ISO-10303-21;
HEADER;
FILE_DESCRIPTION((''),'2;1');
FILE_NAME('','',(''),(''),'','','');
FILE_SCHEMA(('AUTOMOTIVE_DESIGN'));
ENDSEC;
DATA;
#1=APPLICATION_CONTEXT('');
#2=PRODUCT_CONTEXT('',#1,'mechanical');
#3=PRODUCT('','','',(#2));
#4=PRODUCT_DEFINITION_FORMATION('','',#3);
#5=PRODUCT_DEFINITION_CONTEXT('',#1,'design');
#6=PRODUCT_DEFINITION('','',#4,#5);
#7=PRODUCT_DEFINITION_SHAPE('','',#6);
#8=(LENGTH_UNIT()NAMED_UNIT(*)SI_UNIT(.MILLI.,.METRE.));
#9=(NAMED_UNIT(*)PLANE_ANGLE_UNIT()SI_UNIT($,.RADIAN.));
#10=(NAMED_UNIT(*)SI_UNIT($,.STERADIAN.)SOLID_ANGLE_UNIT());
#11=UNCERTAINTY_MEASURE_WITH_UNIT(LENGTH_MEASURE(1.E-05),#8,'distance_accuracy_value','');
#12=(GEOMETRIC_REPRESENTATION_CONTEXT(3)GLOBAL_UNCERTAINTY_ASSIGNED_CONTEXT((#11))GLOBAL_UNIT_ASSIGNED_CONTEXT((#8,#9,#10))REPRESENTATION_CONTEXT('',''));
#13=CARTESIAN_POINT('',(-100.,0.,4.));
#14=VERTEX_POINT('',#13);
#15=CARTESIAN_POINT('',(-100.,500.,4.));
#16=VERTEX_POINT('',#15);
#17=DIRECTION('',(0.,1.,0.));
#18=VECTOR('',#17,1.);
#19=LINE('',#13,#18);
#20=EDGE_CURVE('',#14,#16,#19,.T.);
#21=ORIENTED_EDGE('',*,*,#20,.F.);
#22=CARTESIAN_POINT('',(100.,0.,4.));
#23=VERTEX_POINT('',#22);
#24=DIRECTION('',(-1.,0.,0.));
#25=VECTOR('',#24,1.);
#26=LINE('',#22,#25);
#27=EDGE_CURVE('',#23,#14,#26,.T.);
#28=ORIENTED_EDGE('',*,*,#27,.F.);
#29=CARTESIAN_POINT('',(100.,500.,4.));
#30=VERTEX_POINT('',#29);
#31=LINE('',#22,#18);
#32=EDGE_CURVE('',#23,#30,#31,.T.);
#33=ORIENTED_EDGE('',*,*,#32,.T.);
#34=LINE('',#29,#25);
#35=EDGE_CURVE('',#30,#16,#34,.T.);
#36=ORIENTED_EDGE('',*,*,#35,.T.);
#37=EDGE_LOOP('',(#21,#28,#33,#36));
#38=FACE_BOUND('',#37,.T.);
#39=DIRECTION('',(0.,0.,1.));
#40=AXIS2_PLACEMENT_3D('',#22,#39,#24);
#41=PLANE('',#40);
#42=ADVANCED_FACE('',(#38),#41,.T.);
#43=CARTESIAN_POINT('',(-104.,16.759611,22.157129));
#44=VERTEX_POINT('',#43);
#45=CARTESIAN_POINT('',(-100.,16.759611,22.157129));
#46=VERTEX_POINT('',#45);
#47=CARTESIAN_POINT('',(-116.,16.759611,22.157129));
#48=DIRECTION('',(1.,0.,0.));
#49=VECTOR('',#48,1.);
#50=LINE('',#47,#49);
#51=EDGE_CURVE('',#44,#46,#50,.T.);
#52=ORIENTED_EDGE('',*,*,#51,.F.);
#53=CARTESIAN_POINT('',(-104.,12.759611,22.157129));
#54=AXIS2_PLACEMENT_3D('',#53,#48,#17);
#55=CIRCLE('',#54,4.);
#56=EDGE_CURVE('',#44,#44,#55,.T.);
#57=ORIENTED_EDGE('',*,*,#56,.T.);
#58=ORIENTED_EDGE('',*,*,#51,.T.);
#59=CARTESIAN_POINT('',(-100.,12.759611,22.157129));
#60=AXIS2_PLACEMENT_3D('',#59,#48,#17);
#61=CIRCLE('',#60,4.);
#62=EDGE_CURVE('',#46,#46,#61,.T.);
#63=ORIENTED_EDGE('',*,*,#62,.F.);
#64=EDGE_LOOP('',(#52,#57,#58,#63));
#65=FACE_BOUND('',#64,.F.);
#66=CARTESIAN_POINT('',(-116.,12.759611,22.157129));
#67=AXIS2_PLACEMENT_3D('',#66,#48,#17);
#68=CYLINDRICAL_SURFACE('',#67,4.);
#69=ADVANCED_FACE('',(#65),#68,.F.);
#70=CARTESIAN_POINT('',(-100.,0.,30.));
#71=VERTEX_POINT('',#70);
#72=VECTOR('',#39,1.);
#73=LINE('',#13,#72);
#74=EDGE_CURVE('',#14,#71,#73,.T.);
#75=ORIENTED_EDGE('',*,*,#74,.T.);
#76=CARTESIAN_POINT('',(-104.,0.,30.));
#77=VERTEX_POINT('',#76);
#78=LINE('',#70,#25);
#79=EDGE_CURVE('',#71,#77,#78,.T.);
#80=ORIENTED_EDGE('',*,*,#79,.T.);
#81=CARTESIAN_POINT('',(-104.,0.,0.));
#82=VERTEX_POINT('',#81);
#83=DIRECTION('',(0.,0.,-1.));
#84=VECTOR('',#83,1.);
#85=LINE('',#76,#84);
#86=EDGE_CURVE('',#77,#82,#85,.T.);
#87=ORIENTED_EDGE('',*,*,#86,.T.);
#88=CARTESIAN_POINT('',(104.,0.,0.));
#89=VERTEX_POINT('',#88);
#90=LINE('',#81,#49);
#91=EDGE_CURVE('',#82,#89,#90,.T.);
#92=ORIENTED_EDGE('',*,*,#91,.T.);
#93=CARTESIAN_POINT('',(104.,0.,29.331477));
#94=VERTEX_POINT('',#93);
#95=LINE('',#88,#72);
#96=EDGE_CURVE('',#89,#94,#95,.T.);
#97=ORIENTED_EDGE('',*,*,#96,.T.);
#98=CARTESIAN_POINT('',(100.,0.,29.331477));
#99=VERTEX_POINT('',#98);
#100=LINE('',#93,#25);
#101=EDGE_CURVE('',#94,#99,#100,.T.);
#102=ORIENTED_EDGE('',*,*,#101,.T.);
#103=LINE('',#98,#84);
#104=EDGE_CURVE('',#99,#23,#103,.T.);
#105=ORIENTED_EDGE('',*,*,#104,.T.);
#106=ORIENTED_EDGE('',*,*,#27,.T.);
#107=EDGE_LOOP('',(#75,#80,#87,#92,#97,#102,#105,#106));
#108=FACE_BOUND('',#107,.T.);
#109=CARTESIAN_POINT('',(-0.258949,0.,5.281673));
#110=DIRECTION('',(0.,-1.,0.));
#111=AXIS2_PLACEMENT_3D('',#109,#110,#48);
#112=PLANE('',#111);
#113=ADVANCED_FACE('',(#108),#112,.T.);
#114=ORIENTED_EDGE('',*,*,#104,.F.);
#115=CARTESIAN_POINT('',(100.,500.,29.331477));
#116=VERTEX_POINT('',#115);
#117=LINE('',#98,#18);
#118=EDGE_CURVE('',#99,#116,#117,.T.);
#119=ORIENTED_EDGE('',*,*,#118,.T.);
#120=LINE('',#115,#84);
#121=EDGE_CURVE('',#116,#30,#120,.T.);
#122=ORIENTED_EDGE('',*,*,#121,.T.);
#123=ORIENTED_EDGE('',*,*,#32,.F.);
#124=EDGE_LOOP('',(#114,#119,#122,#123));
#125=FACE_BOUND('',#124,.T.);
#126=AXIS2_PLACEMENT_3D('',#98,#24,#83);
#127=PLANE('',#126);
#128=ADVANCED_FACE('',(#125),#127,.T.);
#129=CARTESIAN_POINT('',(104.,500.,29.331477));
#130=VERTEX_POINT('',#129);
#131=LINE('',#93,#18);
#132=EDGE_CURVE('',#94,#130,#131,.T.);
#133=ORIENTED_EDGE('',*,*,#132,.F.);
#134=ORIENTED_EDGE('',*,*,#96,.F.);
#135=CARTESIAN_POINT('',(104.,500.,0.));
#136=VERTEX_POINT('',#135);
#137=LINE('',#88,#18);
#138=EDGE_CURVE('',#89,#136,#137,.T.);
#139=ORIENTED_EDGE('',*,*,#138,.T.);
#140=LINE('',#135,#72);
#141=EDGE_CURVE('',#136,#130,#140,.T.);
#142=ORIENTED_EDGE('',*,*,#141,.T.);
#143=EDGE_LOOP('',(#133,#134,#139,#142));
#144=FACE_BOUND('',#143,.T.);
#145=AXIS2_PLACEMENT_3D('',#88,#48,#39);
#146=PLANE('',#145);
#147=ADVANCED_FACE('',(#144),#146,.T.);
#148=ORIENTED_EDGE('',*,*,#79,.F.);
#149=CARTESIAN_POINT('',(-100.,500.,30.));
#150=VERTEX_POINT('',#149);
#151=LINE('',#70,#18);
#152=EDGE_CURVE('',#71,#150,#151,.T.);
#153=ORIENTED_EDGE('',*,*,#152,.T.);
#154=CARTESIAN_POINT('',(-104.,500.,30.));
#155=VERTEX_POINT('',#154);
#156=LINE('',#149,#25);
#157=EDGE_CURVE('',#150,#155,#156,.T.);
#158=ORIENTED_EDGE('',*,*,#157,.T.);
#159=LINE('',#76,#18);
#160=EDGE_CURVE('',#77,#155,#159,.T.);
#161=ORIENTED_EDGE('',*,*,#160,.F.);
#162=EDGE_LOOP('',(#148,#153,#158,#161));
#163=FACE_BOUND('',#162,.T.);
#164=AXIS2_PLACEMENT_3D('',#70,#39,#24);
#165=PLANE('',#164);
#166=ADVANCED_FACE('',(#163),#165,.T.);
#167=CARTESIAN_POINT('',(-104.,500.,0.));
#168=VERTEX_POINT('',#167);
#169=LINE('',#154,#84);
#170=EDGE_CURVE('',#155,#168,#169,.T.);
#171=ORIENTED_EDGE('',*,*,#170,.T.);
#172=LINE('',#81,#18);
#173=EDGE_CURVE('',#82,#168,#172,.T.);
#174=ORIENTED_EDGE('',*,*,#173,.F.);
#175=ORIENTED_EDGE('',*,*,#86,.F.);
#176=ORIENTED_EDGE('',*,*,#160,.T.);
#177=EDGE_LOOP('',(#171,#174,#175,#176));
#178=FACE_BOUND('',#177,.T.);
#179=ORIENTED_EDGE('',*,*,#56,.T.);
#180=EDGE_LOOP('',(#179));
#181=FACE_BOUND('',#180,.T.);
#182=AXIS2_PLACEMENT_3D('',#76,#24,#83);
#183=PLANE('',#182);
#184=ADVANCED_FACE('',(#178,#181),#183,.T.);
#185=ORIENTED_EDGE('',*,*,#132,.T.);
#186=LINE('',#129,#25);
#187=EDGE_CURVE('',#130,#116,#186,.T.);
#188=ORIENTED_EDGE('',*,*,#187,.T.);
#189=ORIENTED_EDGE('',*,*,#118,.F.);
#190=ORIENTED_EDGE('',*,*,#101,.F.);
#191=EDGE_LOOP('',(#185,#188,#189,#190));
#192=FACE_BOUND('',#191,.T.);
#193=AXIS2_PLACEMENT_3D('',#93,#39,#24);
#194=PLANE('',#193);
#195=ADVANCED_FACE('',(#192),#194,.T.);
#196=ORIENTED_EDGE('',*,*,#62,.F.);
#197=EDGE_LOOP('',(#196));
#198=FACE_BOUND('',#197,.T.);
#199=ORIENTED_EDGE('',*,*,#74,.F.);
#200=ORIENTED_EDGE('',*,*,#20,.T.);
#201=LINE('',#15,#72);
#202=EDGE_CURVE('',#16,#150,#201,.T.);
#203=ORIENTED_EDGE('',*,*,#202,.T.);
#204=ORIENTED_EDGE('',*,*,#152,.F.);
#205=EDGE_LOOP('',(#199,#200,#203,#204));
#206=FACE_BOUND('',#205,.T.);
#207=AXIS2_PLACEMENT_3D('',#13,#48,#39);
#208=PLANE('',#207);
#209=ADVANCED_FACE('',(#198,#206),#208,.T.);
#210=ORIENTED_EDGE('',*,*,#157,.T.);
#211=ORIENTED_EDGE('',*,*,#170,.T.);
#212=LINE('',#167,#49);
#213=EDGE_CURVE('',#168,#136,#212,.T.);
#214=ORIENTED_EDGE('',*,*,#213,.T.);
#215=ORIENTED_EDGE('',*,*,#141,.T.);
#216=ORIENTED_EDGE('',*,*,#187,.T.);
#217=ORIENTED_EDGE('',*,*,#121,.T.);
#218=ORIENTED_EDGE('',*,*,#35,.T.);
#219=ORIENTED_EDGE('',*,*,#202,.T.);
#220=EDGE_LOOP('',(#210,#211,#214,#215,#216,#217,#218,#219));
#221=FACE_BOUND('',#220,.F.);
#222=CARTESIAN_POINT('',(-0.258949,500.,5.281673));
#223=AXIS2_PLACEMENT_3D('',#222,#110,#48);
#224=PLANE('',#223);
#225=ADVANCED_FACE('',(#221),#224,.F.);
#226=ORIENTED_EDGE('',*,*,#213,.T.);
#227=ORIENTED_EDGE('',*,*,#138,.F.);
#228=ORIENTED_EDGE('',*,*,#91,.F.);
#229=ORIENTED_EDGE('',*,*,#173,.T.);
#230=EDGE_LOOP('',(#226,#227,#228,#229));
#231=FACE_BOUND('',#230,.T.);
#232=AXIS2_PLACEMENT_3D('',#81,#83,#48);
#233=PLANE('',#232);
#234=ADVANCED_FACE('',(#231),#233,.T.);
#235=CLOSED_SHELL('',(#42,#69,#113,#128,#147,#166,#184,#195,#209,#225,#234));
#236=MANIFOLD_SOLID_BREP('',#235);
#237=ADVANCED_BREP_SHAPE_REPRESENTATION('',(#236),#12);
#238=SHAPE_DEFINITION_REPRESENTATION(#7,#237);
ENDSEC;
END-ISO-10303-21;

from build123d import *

# Parameters (mm, degrees)
F1_DEPTH = 500
F3_D     = 8
F3_DEPTH = 12


with BuildPart() as f1:
    # F0 (on Front) → F1 (new body)
    with BuildSketch(Plane.XZ):
        Polygon((-104, 30), (-104, 0), (104, 0), (104, 29.331477), (100, 29.331477), (100, 4), (-100, 4), (-100, 30), align=None)
    extrude(amount=-F1_DEPTH)

    # F3
    with Locations(Plane(origin=(-104, 0, 0), x_dir=(0, -1, 0), z_dir=(-1, 0, 0))):
        with Locations((-12.759611, 22.157129)):
            Hole(F3_D / 2, depth=F3_DEPTH)


solid = f1.part
